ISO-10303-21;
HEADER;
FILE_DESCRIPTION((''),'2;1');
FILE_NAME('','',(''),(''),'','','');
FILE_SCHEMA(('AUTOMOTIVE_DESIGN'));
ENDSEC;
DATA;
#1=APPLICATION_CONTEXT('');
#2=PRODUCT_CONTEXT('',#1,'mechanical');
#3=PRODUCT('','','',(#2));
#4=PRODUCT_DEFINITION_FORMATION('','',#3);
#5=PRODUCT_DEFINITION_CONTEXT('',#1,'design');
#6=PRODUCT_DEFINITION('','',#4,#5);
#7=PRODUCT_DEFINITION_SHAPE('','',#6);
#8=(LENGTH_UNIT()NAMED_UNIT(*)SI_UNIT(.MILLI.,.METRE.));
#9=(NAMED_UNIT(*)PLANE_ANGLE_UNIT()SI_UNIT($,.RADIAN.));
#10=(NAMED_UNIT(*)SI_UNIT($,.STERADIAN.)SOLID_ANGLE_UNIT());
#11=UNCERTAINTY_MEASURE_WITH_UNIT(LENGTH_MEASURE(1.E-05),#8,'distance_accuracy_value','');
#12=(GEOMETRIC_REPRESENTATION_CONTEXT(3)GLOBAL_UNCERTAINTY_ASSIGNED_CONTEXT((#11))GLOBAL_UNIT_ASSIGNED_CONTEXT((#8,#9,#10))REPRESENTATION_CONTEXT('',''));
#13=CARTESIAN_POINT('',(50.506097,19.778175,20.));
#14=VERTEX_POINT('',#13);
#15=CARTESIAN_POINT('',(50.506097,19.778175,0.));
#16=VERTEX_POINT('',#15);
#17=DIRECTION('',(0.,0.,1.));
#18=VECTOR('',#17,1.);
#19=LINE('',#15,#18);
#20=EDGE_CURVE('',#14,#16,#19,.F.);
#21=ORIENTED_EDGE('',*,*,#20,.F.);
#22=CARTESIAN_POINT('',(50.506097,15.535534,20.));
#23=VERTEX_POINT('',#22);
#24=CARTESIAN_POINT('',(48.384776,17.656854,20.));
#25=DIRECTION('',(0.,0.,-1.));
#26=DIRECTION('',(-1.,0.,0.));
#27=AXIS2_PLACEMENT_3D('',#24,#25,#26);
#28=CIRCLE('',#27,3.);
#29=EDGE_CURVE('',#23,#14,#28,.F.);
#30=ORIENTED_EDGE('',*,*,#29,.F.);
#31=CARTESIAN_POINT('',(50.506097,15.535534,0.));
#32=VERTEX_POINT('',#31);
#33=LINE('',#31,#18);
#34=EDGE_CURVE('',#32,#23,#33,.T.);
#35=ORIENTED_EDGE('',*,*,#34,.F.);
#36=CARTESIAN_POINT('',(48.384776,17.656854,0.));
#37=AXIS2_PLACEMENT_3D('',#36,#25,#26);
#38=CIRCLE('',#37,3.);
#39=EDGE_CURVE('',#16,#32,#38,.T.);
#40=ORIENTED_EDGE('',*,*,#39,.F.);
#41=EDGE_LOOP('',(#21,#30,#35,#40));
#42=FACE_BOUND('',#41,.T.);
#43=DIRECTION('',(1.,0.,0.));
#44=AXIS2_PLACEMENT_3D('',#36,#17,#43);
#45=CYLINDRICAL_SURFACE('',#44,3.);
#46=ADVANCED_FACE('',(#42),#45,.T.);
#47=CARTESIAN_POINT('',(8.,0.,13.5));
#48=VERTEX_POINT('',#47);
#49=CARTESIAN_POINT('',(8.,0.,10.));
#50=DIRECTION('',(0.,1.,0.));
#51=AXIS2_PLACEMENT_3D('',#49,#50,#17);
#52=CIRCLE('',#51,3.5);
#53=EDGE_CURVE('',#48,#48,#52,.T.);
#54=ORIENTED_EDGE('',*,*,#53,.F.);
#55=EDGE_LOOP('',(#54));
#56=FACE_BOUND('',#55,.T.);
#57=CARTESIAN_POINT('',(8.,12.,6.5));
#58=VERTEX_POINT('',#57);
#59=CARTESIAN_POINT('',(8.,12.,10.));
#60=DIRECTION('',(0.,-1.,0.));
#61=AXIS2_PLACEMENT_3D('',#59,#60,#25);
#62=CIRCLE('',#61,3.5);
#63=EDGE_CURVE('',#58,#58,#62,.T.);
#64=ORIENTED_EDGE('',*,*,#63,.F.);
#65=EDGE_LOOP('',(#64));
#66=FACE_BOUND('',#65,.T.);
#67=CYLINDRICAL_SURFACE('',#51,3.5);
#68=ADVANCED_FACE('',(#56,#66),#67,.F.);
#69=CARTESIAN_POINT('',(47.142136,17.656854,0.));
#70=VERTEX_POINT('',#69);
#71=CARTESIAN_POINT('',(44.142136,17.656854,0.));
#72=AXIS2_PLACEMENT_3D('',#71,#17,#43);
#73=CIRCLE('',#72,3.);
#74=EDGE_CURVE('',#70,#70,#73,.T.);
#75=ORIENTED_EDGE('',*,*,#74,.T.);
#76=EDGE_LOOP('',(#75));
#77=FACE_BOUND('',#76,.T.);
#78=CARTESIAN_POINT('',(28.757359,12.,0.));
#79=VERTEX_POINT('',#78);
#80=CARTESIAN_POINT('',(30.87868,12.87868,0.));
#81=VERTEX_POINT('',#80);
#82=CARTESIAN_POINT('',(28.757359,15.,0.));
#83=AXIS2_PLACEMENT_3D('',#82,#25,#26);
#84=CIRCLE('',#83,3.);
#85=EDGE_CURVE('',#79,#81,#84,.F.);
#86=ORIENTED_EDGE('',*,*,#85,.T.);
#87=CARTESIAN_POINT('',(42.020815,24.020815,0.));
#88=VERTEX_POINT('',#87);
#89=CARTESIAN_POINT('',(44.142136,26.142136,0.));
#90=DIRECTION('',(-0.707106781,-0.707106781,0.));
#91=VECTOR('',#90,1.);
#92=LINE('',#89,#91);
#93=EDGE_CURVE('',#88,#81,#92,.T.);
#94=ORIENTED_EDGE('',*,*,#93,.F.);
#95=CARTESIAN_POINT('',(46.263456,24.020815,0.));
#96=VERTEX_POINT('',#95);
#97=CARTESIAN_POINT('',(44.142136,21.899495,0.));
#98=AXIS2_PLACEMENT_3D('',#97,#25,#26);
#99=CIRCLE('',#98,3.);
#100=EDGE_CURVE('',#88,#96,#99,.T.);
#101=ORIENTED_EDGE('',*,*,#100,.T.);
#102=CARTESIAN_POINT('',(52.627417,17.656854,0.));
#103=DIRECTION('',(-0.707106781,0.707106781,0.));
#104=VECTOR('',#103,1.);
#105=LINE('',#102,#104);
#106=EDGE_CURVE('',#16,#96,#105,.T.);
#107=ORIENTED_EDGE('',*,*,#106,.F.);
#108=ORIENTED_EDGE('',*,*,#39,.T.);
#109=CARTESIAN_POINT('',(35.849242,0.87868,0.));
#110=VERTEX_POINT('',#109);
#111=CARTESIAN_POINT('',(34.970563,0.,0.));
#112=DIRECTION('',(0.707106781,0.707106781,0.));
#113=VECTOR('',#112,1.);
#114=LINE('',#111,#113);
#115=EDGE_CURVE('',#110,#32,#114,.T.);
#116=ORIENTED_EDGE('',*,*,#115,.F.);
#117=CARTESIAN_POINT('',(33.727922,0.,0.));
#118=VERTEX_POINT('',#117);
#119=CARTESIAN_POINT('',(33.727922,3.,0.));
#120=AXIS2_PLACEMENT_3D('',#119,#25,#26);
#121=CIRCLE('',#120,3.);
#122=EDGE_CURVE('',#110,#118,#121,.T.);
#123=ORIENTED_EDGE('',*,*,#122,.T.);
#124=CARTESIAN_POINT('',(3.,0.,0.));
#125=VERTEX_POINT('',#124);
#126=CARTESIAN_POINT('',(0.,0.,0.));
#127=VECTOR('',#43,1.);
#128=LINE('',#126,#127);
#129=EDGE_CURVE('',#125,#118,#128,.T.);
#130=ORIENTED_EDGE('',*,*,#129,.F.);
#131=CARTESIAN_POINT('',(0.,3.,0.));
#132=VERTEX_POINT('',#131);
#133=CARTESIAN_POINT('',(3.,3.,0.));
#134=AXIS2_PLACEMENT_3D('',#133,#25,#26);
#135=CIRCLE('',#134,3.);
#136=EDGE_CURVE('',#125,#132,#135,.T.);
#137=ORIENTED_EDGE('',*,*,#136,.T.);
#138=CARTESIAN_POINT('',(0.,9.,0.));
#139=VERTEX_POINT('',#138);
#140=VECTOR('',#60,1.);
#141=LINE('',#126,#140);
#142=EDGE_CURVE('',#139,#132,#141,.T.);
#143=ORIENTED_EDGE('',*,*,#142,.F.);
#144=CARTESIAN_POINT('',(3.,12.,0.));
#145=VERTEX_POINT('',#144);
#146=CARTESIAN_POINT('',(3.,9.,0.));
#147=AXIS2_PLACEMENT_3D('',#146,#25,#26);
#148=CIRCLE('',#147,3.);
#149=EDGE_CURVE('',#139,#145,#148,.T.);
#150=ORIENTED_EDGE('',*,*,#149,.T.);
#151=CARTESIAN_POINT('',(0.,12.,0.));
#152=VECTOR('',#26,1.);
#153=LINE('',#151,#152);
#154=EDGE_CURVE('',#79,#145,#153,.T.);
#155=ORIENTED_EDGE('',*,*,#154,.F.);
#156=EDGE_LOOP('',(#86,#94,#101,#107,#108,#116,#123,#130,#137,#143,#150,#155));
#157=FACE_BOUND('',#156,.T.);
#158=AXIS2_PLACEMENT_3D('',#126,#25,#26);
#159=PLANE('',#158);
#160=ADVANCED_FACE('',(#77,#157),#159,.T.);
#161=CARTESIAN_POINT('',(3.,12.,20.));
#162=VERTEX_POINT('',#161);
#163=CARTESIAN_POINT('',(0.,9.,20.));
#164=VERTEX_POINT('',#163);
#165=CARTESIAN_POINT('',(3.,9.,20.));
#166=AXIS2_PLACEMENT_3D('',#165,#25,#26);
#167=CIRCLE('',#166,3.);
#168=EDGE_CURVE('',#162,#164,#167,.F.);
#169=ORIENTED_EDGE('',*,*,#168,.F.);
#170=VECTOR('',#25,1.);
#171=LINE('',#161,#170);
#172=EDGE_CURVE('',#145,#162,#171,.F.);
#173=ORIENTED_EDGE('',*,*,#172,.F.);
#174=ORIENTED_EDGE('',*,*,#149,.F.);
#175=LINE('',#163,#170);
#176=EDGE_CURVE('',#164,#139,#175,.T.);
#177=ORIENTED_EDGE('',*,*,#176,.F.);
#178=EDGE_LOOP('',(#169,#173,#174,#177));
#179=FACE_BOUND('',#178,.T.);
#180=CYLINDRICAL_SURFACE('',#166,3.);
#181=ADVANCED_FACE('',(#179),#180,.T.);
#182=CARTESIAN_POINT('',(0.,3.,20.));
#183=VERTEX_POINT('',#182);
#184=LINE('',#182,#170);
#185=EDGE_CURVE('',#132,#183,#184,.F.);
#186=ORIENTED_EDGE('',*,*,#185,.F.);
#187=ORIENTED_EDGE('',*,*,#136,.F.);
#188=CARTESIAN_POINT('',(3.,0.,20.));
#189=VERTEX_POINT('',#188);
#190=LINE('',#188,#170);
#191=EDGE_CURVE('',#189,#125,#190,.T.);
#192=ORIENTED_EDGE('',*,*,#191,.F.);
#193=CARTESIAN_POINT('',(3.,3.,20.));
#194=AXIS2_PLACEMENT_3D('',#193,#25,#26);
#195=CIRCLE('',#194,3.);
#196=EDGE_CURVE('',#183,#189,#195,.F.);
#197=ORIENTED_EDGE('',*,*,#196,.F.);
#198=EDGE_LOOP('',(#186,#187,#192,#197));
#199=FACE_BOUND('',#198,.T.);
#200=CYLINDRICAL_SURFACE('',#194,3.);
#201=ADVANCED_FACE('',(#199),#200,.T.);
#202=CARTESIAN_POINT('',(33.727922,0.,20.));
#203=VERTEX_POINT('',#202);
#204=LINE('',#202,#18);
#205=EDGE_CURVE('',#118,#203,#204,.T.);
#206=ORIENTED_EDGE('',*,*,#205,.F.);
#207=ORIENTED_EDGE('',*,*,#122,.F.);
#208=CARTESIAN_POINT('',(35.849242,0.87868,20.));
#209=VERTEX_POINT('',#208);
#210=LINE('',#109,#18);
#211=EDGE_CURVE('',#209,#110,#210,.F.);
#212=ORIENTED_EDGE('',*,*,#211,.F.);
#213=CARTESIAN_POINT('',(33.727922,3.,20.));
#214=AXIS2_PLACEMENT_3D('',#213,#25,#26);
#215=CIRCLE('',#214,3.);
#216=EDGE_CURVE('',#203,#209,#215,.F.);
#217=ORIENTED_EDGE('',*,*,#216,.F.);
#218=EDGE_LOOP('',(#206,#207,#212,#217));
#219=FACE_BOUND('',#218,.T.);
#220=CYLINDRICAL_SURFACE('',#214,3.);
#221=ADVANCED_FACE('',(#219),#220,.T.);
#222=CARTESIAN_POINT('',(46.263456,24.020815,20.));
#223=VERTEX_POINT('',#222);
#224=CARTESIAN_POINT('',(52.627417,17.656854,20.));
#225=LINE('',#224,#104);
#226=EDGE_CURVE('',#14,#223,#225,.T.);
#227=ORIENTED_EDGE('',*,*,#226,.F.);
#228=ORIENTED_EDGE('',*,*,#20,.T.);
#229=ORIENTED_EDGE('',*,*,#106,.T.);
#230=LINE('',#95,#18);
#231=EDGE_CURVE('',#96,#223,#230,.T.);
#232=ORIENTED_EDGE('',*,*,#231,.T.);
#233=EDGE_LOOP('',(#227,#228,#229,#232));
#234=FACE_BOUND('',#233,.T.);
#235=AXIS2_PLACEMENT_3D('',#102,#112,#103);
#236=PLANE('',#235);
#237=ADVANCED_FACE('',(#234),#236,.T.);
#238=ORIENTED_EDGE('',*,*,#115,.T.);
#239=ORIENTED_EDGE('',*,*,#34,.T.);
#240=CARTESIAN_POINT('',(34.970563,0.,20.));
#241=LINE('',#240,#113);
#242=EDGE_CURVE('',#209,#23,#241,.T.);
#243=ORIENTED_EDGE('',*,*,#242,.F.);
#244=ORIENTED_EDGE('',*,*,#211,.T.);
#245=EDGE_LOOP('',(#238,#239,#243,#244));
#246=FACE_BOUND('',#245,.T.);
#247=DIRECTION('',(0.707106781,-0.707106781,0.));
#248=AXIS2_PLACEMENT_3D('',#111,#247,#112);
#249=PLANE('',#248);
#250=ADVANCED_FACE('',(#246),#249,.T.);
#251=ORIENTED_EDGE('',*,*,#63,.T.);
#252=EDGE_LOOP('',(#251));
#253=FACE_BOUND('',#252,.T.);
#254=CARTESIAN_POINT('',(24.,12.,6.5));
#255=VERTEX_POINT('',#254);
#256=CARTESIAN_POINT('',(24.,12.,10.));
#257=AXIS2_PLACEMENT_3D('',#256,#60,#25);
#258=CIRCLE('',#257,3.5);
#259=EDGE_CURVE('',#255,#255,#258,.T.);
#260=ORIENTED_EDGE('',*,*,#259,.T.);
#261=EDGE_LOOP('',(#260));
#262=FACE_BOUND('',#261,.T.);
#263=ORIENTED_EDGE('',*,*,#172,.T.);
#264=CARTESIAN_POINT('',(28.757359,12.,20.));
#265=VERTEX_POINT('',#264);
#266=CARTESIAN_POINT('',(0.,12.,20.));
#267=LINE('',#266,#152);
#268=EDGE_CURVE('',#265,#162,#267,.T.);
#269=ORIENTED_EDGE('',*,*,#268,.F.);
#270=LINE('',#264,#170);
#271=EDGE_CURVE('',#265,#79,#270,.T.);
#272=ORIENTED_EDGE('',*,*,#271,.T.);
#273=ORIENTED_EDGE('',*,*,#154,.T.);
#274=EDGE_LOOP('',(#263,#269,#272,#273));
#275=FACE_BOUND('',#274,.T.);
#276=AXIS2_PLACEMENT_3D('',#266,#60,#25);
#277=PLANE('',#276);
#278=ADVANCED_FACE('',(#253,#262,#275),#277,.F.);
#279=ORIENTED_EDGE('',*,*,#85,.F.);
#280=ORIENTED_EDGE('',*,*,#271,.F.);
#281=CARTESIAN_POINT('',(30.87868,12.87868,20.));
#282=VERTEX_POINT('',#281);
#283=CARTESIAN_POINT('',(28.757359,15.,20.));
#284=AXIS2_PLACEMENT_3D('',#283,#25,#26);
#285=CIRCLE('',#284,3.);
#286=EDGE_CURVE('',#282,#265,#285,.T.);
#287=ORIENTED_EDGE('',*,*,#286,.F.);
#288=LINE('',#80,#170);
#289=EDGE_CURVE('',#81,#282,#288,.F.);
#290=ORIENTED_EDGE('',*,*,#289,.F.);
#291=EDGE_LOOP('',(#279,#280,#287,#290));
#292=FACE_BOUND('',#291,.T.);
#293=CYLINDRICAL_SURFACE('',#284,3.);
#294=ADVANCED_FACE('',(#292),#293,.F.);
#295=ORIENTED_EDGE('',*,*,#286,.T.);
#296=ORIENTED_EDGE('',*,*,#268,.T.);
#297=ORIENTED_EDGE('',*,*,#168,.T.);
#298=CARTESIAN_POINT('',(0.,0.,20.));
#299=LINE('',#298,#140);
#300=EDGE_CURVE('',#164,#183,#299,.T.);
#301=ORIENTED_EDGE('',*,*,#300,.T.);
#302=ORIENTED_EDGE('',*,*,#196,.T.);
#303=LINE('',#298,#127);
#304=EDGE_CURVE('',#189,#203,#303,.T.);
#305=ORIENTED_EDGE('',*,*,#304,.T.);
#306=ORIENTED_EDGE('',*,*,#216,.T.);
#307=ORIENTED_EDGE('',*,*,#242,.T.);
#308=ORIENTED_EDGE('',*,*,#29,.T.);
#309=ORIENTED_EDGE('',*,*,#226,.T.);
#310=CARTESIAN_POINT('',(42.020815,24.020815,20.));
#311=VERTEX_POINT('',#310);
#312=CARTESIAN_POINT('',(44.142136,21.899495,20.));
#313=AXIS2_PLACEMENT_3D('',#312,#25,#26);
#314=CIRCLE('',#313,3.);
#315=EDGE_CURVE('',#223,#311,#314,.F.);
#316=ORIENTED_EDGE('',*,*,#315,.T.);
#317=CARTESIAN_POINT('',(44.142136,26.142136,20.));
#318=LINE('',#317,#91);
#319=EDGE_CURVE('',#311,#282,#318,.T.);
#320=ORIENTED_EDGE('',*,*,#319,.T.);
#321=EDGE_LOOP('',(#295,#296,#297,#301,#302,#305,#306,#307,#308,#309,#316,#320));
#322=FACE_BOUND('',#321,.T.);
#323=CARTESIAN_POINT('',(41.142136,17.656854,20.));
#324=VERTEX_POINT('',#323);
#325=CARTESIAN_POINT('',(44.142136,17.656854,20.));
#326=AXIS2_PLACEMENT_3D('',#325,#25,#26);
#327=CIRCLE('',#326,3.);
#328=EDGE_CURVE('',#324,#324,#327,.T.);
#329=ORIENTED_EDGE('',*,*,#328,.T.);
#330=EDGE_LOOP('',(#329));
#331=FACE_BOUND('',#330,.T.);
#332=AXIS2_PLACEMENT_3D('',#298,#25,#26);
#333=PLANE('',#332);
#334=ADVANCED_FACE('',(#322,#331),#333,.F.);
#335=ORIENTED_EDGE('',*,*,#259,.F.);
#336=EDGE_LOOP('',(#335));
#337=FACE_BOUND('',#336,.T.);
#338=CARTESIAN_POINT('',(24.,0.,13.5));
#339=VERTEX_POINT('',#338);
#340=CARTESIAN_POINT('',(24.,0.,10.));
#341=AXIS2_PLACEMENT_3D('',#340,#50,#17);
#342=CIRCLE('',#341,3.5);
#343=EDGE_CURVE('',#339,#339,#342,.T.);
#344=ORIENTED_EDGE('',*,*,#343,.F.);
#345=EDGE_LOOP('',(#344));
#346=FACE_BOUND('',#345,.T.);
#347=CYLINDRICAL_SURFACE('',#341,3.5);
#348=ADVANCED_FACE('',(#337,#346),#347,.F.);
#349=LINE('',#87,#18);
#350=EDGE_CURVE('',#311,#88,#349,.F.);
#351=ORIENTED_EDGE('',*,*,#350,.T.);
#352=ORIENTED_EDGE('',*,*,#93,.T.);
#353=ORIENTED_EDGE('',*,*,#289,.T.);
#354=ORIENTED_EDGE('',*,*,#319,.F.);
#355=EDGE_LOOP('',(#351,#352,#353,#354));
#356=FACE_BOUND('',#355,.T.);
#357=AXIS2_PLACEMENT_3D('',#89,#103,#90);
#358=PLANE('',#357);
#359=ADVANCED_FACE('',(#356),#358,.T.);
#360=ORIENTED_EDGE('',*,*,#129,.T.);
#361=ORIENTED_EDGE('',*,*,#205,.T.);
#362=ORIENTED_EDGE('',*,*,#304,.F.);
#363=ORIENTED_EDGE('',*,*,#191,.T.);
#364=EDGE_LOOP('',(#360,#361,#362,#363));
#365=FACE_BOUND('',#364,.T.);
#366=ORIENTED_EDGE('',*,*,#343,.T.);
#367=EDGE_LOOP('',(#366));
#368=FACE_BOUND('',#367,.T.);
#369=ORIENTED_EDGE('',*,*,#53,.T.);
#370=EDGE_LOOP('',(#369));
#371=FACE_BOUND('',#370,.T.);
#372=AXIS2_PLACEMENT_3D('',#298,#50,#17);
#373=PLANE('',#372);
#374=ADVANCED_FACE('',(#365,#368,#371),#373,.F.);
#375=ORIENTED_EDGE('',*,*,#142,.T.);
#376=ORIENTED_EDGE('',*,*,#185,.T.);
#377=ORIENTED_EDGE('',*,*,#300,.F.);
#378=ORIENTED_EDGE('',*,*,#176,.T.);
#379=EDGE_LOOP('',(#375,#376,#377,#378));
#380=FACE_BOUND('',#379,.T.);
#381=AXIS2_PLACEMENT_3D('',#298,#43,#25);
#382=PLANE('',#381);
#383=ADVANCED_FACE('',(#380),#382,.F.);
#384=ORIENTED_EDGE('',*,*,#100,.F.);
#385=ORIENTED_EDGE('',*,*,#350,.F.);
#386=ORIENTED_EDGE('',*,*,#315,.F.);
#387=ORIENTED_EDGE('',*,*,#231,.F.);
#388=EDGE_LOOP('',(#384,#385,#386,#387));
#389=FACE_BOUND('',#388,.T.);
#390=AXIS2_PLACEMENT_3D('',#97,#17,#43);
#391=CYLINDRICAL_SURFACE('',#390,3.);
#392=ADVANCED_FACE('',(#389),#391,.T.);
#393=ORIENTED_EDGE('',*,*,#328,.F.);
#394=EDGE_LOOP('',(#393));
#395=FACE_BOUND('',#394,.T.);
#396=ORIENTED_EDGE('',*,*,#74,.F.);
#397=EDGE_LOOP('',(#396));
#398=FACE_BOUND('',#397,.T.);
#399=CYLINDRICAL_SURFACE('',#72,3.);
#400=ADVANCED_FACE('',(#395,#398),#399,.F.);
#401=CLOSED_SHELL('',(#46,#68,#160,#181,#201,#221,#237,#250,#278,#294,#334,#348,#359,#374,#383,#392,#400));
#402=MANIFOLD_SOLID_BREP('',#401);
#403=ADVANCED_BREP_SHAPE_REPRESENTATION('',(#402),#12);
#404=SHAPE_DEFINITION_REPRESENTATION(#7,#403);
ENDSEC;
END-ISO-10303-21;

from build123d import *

# Parameters (mm, degrees)
ESQUISSE1_W                  = 30
ESQUISSE1_H                  = 12
BOSS_EXTRU_1_DEPTH           = 20
BOSS_EXTRU_2_DEPTH           = 20
ENL_V_MAT_EXTRU_1_DEPTH      = 59.048643566
ENL_V_MAT_EXTRU_1_DEPTH_BACK = 59.048643566
ESQUISSE3_R                  = 3.5
ENL_V_MAT_EXTRU_2_DEPTH      = 63.072991509
ENL_V_MAT_EXTRU_2_DEPTH_BACK = 63.072991509
ESQUISSE4_R                  = 3
CONG_1_R                     = 3


with BuildPart() as part:
    # Esquisse1 → Boss.-Extru.1 (new body)
    with BuildSketch(Plane.XY):
        with Locations((15, 6)):
            Rectangle(ESQUISSE1_W, ESQUISSE1_H)
    extrude(amount=BOSS_EXTRU_1_DEPTH)

    # Esquisse2 → Boss.-Extru.2 (add)
    with BuildSketch(Plane.XY.offset(20)):
        Polygon((30, 0), (34.970562748, 0), (52.627416998, 17.656854249), (44.142135624, 26.142135624), (30, 12), align=None)
    extrude(amount=-BOSS_EXTRU_2_DEPTH)

    # Esquisse3 → Enlèv. mat.-Extru.1 (cut, two sides: drawn at the far end of the back side and taken through both)
    with BuildSketch(Plane(origin=(0, 12, 0), x_dir=(1, 0, 0), z_dir=(0, 1, 0)).offset(-ENL_V_MAT_EXTRU_1_DEPTH_BACK)):
        with Locations(Location((8, -10, 0), (0, 0, 270))):
            Circle(ESQUISSE3_R)
        with Locations(Location((24, -10, 0), (0, 0, 270))):
            Circle(ESQUISSE3_R)
    extrude(amount=ENL_V_MAT_EXTRU_1_DEPTH + ENL_V_MAT_EXTRU_1_DEPTH_BACK, mode=Mode.SUBTRACT)

    # Esquisse4 → Enlèv. mat.-Extru.2 (cut, two sides: drawn at the far end of the back side and taken through both)
    with BuildSketch(Plane.XY.offset(20).offset(-ENL_V_MAT_EXTRU_2_DEPTH_BACK)):
        with Locations((44.142135624, 17.656854249)):
            Circle(ESQUISSE4_R)
    extrude(amount=ENL_V_MAT_EXTRU_2_DEPTH + ENL_V_MAT_EXTRU_2_DEPTH_BACK, mode=Mode.SUBTRACT)

    # Congé1
    cong_1_edges = [part.edges().sort_by_distance(p)[0] for p in [
        (44.142135624, 26.142135624, 10),
        (52.627416998, 17.656854249, 10),
        (34.970562748, 0, 10),
        (0, 12, 10),
        (30, 12, 10),
        (0, 0, 10),
    ]]
    fillet(cong_1_edges, radius=CONG_1_R)


solid = part.part
